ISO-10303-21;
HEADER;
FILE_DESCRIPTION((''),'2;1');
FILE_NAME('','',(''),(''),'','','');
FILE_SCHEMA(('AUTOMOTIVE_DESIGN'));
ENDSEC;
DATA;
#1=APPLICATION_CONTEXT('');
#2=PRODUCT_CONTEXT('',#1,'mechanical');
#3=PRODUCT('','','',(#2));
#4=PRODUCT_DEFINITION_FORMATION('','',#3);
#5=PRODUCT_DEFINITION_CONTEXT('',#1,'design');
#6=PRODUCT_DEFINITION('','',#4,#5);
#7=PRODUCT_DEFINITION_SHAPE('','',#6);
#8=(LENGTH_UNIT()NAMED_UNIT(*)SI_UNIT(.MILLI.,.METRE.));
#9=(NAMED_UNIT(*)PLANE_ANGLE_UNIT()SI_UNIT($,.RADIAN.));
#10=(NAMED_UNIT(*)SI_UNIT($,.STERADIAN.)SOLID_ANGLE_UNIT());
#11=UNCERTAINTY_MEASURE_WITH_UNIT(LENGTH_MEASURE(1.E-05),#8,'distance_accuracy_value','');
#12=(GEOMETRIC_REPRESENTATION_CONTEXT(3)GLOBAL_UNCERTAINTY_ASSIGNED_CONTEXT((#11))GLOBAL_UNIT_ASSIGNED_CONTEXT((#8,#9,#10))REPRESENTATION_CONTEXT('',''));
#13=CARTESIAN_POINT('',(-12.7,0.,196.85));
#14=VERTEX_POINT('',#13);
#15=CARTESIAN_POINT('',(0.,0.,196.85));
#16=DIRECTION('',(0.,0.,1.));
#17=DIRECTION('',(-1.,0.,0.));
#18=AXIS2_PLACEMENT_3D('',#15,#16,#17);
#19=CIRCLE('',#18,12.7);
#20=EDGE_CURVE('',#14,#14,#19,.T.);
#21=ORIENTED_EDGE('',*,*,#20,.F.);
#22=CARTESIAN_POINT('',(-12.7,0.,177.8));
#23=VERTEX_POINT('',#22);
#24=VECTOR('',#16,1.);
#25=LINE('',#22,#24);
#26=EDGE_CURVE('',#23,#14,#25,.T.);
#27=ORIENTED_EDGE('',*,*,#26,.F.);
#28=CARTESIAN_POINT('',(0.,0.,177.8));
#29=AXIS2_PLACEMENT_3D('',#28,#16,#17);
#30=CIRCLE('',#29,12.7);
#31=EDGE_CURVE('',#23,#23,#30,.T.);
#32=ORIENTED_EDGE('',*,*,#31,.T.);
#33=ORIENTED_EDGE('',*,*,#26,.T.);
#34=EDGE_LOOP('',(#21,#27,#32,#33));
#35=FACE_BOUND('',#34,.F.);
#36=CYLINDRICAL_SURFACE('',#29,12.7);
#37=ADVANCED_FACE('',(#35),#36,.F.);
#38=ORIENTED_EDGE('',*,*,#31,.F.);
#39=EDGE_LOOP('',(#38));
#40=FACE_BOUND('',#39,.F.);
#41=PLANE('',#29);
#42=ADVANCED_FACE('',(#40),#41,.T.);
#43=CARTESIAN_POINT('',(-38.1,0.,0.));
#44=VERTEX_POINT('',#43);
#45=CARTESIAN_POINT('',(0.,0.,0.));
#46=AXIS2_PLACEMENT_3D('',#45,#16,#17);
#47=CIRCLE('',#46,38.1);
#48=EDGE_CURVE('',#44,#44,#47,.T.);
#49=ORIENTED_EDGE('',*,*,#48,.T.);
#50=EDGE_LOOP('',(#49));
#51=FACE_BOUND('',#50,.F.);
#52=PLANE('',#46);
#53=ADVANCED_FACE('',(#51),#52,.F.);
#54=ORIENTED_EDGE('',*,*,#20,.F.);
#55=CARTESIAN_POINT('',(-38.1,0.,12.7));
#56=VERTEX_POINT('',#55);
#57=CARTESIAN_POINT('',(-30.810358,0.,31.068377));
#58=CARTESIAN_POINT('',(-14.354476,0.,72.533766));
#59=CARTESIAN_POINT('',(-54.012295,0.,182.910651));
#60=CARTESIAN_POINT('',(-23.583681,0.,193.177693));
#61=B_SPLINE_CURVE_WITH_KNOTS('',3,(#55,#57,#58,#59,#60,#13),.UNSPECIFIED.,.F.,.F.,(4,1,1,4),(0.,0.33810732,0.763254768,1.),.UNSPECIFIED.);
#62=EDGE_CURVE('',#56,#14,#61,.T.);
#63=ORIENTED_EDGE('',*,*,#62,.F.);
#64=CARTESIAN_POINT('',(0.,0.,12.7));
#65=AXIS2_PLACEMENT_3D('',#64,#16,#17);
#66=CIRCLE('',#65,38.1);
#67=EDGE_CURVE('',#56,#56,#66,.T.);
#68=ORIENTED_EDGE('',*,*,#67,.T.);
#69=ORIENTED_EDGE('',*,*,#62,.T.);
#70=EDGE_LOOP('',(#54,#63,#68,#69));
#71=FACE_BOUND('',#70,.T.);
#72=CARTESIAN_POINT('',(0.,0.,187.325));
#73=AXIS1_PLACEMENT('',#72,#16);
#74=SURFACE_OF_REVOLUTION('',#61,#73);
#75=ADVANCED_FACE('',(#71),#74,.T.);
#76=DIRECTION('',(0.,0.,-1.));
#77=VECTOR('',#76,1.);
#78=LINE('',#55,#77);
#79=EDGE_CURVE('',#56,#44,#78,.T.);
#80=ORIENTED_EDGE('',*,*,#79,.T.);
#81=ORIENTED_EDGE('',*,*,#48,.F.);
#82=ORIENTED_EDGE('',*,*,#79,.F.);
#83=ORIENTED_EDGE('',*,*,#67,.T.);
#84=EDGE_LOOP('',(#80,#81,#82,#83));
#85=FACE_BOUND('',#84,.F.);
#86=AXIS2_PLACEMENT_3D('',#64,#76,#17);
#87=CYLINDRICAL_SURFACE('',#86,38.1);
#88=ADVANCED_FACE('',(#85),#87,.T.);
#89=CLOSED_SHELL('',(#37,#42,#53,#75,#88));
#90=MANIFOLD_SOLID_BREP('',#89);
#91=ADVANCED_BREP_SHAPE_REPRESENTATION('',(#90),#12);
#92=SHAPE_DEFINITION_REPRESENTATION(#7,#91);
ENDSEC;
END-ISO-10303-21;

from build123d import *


with BuildPart() as f1:
    # F0 (on Front) → F1 (revolve)
    with BuildSketch(Plane.XZ):
        with BuildLine():
            Line((-38.1, 0), (0, 0))
            Line((0, 0), (0, 177.8))
            Line((0, 177.8), (-12.7, 177.8))
            Line((-12.7, 177.8), (-12.7, 196.85))
            add(Edge.make_bspline(
                [(-38.1, 12.7), (-30.8103578773, 31.0683773694), (-14.3544760591, 72.5337664922), (-54.0122946409, 182.9106513757), (-23.5836814631, 193.1776929653), (-12.7, 196.85)],
                knots=[0, 0, 0, 0, 0.3381073204, 0.763254768, 1, 1, 1, 1], degree=3))
            Line((-38.1, 12.7), (-38.1, 0))
        make_face()
    revolve(axis=Axis((0, 0, 187.325), (0, 0, 1)))


solid = f1.part
